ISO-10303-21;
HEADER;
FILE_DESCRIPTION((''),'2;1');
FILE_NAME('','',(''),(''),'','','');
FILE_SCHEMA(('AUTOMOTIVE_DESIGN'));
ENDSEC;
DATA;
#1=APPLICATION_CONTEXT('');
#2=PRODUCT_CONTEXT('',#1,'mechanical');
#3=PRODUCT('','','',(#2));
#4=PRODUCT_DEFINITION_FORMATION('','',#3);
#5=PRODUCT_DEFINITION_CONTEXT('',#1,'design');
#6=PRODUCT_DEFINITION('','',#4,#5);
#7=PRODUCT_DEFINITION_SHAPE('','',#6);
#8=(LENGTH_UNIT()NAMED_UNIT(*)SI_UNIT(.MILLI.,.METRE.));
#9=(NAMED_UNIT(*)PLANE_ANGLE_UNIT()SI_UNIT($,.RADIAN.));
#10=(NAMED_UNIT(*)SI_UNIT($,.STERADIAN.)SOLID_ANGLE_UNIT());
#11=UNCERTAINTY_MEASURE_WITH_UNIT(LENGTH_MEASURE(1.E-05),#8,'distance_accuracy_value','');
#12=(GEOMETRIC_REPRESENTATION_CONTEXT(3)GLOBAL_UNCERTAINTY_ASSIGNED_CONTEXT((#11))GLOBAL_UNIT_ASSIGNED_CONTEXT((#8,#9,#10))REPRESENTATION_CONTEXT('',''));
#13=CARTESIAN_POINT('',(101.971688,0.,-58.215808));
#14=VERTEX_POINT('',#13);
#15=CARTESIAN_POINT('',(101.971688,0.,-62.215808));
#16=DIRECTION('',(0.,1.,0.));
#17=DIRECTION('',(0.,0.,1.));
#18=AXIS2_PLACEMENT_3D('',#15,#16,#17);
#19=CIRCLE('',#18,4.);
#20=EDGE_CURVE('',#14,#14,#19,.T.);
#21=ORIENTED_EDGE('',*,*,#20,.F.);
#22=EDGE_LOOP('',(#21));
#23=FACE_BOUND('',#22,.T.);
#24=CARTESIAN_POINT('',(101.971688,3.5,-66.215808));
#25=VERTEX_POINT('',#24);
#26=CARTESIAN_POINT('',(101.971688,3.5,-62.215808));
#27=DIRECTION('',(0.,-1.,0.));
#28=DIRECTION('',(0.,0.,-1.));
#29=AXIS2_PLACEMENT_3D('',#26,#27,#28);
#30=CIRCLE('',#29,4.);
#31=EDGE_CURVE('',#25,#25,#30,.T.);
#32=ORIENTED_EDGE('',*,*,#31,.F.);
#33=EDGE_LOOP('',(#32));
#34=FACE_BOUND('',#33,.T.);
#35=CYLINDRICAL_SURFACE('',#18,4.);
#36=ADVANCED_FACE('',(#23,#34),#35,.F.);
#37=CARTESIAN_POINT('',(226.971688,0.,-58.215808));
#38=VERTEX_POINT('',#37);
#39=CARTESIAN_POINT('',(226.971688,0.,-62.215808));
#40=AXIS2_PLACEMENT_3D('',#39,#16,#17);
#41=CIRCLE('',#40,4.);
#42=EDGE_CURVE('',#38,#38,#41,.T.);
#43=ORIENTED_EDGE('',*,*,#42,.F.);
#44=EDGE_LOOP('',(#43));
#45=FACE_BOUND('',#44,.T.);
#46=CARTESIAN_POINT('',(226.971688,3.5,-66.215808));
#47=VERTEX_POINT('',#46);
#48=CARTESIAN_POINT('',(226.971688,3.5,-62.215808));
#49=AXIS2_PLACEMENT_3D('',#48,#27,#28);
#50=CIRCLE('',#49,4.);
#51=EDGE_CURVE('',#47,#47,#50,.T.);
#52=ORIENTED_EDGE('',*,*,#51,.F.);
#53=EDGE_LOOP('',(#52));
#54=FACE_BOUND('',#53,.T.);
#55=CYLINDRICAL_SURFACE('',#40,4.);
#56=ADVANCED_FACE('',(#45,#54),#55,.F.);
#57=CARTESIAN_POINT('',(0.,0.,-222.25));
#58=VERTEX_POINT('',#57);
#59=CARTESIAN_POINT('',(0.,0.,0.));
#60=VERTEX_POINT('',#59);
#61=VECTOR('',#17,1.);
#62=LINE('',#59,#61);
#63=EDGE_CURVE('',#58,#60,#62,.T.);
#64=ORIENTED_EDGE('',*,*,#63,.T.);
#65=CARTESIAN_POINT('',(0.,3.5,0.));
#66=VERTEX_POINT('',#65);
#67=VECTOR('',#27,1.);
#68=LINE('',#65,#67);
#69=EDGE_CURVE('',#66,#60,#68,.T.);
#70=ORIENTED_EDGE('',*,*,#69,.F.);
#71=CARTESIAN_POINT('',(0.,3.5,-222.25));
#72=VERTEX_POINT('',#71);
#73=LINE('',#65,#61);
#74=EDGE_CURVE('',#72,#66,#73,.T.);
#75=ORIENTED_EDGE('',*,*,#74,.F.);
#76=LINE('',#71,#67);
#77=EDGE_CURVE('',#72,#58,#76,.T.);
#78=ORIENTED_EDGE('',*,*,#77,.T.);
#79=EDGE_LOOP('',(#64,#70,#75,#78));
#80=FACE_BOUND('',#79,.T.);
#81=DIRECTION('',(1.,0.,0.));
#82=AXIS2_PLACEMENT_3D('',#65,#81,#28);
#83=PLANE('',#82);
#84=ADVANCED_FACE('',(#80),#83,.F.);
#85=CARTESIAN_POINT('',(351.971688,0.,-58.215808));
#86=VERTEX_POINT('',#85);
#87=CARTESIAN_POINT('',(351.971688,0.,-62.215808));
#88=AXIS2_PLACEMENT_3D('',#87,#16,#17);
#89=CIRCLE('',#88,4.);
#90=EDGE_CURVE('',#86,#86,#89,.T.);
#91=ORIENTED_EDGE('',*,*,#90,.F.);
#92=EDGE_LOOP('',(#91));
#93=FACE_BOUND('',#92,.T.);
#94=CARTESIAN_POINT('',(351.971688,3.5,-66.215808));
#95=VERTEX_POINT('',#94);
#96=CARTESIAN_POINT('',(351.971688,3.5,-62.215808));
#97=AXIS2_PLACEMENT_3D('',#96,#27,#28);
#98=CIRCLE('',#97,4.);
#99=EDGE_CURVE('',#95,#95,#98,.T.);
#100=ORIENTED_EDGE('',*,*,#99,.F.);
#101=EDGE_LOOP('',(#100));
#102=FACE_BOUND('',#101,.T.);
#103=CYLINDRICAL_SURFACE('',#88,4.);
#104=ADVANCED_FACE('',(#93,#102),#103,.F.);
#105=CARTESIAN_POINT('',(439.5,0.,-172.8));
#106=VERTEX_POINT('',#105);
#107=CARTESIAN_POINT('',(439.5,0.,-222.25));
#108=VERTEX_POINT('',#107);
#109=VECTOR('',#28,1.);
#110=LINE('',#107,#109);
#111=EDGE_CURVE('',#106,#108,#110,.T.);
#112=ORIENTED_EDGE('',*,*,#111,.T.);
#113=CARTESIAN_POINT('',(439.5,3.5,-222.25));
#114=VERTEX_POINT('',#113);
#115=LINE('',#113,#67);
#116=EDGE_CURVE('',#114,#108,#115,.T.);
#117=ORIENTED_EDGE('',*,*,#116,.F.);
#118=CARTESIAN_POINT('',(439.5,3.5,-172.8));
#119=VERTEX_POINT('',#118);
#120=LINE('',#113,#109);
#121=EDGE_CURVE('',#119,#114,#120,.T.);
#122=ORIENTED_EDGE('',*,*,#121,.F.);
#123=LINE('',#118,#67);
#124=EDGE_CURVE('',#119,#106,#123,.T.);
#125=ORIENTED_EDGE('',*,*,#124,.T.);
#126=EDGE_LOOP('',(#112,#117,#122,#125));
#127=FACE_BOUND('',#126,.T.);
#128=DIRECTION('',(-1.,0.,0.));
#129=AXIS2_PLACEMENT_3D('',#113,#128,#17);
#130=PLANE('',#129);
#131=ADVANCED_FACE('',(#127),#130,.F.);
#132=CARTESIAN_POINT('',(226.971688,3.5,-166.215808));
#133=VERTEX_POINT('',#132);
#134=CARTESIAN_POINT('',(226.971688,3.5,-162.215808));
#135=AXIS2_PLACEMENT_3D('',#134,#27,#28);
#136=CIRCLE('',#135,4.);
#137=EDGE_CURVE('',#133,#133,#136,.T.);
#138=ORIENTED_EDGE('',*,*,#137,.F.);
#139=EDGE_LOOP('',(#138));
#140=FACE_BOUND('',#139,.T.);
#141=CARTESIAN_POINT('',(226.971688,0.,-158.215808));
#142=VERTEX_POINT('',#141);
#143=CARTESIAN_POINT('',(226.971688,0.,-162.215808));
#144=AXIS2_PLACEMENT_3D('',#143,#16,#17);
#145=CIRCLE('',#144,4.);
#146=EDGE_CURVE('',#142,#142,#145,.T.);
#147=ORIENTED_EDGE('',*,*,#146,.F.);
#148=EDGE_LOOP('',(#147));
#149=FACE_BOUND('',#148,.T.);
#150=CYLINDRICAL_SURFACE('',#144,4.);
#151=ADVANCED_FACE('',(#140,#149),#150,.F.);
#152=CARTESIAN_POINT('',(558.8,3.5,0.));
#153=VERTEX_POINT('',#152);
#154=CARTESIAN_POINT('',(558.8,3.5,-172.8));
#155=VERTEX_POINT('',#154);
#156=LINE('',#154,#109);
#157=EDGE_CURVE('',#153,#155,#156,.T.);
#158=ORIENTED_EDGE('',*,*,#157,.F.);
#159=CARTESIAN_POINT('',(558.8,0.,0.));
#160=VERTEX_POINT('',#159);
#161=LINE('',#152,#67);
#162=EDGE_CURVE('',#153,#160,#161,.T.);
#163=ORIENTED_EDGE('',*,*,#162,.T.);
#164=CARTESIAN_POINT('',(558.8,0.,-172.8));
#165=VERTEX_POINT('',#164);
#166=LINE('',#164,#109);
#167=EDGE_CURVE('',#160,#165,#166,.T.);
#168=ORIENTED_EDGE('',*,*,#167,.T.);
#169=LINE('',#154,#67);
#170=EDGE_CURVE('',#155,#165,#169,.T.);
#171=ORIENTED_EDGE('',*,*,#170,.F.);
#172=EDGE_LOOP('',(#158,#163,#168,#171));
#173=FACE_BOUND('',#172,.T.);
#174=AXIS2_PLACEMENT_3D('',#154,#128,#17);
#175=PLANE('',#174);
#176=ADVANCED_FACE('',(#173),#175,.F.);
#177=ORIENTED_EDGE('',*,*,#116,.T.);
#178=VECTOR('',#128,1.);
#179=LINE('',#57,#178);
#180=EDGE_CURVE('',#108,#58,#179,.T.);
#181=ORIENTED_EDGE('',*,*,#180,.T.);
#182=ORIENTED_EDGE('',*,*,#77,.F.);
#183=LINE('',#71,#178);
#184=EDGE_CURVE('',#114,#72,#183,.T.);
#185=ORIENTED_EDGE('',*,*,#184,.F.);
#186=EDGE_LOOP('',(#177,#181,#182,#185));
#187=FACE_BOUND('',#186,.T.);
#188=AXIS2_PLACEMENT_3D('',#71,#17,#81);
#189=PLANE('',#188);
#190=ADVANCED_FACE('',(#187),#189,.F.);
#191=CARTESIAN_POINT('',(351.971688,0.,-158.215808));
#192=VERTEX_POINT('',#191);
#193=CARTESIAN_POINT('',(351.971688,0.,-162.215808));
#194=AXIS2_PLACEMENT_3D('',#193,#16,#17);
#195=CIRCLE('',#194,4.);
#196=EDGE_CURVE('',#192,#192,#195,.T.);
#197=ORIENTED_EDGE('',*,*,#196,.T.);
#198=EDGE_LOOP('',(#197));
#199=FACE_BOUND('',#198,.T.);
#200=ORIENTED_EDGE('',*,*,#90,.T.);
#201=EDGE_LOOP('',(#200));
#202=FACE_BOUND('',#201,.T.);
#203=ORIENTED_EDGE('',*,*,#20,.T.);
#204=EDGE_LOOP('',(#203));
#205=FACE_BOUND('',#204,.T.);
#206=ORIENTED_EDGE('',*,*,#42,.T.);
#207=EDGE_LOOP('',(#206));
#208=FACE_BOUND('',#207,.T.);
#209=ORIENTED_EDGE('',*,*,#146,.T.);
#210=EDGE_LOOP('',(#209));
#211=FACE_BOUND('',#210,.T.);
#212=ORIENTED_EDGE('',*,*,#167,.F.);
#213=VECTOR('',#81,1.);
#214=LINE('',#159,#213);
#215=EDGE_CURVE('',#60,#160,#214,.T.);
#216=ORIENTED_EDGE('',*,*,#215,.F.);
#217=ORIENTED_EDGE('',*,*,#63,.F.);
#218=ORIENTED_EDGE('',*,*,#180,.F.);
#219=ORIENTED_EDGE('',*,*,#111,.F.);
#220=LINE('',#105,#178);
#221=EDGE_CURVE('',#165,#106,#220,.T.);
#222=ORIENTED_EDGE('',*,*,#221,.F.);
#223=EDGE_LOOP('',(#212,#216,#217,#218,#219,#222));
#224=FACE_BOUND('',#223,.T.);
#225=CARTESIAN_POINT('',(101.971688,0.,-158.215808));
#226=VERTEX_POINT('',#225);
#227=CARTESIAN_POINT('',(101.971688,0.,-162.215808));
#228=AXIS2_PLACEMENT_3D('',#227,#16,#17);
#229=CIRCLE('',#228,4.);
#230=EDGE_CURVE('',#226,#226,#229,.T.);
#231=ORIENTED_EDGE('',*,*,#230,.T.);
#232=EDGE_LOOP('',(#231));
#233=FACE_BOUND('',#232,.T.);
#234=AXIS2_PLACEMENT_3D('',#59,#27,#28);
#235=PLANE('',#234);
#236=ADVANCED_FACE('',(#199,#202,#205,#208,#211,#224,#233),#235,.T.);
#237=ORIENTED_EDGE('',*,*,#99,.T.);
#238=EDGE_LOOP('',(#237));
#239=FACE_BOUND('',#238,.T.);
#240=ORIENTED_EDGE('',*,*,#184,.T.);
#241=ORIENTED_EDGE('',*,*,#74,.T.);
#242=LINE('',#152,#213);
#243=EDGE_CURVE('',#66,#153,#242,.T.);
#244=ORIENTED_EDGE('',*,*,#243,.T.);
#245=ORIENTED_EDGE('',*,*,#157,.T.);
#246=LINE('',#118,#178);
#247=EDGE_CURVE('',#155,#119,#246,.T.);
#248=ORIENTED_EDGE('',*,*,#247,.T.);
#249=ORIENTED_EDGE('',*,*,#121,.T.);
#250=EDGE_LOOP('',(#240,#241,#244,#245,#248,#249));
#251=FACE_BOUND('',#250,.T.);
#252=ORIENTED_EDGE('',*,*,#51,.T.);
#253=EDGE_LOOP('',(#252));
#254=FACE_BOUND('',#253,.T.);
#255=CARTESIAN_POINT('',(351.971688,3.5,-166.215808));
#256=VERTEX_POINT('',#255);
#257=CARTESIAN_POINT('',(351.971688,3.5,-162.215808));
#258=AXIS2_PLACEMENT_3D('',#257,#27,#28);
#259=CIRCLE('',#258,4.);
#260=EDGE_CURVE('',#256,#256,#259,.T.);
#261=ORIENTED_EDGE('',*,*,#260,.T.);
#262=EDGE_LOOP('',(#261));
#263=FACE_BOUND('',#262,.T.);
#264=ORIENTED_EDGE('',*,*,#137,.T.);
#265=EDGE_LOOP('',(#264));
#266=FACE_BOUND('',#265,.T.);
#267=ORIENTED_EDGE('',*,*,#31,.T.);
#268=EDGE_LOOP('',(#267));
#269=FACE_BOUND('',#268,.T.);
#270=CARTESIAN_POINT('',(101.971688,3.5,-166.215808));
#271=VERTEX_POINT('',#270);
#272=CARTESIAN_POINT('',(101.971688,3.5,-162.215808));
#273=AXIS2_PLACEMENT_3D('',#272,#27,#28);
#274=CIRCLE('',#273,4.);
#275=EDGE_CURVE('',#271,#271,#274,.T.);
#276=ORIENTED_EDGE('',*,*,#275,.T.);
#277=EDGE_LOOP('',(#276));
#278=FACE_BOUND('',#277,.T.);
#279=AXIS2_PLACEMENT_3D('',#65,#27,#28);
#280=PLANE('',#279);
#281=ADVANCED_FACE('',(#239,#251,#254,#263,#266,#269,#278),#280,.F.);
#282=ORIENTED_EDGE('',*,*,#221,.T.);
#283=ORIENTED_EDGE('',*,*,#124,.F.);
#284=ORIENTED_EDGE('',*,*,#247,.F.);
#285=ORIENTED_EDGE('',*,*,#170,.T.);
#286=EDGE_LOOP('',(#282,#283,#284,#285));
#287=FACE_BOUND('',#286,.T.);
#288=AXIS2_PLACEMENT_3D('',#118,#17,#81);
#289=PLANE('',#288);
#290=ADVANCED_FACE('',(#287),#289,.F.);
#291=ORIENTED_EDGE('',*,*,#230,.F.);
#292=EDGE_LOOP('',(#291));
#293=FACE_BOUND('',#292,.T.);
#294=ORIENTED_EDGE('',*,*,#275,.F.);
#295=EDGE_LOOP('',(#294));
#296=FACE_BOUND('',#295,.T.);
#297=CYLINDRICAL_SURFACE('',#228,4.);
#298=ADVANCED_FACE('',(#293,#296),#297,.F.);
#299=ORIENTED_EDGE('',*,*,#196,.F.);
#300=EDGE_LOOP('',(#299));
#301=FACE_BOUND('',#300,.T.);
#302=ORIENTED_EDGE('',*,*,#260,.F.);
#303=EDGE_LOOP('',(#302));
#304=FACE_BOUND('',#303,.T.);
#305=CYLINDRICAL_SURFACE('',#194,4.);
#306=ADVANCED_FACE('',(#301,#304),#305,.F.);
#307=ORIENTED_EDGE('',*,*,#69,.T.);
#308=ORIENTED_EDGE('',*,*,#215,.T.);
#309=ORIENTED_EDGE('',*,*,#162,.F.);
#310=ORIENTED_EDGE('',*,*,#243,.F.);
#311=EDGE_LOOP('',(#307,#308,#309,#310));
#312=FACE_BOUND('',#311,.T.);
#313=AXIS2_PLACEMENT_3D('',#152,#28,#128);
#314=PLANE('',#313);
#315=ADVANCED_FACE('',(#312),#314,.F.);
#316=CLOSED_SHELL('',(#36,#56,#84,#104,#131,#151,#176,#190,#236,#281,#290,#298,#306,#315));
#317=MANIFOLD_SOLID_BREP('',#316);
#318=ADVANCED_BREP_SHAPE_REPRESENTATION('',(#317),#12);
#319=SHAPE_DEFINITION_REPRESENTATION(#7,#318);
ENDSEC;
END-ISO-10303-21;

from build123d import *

# Parameters (mm, degrees)
BOSS_EXTRUDE1_DEPTH     = 3.5
CUT_EXTRUDE1_DEPTH      = 602.385693628
CUT_EXTRUDE1_DEPTH_BACK = 602.385693628
SKETCH2_R               = 4


with BuildPart() as part:
    # Sketch1 → Boss-Extrude1 (new body)
    with BuildSketch(Plane(origin=(0, 0, 0), x_dir=(1, 0, 0), z_dir=(0, 1, 0))):
        Polygon((0, 0), (0, 222.25), (439.5, 222.25), (439.5, 172.8), (558.8, 172.8), (558.8, 0), align=None)
    extrude(amount=BOSS_EXTRUDE1_DEPTH)

    # Sketch2 → Cut-Extrude1 (cut, two sides: drawn at the far end of the back side and taken through both)
    with BuildSketch(Plane(origin=(0, 3.5, 0), x_dir=(1, 0, 0), z_dir=(0, 1, 0)).offset(-CUT_EXTRUDE1_DEPTH_BACK)):
        with Locations((101.97168799, 162.2158083)):
            Circle(SKETCH2_R)
        with Locations((226.97168799, 162.2158083)):
            Circle(SKETCH2_R)
        with Locations((351.97168799, 162.2158083)):
            Circle(SKETCH2_R)
        with Locations((351.97168799, 62.2158083)):
            Circle(SKETCH2_R)
        with Locations((226.97168799, 62.2158083)):
            Circle(SKETCH2_R)
        with Locations((101.97168799, 62.2158083)):
            Circle(SKETCH2_R)
    extrude(amount=CUT_EXTRUDE1_DEPTH + CUT_EXTRUDE1_DEPTH_BACK, mode=Mode.SUBTRACT)


solid = part.part
